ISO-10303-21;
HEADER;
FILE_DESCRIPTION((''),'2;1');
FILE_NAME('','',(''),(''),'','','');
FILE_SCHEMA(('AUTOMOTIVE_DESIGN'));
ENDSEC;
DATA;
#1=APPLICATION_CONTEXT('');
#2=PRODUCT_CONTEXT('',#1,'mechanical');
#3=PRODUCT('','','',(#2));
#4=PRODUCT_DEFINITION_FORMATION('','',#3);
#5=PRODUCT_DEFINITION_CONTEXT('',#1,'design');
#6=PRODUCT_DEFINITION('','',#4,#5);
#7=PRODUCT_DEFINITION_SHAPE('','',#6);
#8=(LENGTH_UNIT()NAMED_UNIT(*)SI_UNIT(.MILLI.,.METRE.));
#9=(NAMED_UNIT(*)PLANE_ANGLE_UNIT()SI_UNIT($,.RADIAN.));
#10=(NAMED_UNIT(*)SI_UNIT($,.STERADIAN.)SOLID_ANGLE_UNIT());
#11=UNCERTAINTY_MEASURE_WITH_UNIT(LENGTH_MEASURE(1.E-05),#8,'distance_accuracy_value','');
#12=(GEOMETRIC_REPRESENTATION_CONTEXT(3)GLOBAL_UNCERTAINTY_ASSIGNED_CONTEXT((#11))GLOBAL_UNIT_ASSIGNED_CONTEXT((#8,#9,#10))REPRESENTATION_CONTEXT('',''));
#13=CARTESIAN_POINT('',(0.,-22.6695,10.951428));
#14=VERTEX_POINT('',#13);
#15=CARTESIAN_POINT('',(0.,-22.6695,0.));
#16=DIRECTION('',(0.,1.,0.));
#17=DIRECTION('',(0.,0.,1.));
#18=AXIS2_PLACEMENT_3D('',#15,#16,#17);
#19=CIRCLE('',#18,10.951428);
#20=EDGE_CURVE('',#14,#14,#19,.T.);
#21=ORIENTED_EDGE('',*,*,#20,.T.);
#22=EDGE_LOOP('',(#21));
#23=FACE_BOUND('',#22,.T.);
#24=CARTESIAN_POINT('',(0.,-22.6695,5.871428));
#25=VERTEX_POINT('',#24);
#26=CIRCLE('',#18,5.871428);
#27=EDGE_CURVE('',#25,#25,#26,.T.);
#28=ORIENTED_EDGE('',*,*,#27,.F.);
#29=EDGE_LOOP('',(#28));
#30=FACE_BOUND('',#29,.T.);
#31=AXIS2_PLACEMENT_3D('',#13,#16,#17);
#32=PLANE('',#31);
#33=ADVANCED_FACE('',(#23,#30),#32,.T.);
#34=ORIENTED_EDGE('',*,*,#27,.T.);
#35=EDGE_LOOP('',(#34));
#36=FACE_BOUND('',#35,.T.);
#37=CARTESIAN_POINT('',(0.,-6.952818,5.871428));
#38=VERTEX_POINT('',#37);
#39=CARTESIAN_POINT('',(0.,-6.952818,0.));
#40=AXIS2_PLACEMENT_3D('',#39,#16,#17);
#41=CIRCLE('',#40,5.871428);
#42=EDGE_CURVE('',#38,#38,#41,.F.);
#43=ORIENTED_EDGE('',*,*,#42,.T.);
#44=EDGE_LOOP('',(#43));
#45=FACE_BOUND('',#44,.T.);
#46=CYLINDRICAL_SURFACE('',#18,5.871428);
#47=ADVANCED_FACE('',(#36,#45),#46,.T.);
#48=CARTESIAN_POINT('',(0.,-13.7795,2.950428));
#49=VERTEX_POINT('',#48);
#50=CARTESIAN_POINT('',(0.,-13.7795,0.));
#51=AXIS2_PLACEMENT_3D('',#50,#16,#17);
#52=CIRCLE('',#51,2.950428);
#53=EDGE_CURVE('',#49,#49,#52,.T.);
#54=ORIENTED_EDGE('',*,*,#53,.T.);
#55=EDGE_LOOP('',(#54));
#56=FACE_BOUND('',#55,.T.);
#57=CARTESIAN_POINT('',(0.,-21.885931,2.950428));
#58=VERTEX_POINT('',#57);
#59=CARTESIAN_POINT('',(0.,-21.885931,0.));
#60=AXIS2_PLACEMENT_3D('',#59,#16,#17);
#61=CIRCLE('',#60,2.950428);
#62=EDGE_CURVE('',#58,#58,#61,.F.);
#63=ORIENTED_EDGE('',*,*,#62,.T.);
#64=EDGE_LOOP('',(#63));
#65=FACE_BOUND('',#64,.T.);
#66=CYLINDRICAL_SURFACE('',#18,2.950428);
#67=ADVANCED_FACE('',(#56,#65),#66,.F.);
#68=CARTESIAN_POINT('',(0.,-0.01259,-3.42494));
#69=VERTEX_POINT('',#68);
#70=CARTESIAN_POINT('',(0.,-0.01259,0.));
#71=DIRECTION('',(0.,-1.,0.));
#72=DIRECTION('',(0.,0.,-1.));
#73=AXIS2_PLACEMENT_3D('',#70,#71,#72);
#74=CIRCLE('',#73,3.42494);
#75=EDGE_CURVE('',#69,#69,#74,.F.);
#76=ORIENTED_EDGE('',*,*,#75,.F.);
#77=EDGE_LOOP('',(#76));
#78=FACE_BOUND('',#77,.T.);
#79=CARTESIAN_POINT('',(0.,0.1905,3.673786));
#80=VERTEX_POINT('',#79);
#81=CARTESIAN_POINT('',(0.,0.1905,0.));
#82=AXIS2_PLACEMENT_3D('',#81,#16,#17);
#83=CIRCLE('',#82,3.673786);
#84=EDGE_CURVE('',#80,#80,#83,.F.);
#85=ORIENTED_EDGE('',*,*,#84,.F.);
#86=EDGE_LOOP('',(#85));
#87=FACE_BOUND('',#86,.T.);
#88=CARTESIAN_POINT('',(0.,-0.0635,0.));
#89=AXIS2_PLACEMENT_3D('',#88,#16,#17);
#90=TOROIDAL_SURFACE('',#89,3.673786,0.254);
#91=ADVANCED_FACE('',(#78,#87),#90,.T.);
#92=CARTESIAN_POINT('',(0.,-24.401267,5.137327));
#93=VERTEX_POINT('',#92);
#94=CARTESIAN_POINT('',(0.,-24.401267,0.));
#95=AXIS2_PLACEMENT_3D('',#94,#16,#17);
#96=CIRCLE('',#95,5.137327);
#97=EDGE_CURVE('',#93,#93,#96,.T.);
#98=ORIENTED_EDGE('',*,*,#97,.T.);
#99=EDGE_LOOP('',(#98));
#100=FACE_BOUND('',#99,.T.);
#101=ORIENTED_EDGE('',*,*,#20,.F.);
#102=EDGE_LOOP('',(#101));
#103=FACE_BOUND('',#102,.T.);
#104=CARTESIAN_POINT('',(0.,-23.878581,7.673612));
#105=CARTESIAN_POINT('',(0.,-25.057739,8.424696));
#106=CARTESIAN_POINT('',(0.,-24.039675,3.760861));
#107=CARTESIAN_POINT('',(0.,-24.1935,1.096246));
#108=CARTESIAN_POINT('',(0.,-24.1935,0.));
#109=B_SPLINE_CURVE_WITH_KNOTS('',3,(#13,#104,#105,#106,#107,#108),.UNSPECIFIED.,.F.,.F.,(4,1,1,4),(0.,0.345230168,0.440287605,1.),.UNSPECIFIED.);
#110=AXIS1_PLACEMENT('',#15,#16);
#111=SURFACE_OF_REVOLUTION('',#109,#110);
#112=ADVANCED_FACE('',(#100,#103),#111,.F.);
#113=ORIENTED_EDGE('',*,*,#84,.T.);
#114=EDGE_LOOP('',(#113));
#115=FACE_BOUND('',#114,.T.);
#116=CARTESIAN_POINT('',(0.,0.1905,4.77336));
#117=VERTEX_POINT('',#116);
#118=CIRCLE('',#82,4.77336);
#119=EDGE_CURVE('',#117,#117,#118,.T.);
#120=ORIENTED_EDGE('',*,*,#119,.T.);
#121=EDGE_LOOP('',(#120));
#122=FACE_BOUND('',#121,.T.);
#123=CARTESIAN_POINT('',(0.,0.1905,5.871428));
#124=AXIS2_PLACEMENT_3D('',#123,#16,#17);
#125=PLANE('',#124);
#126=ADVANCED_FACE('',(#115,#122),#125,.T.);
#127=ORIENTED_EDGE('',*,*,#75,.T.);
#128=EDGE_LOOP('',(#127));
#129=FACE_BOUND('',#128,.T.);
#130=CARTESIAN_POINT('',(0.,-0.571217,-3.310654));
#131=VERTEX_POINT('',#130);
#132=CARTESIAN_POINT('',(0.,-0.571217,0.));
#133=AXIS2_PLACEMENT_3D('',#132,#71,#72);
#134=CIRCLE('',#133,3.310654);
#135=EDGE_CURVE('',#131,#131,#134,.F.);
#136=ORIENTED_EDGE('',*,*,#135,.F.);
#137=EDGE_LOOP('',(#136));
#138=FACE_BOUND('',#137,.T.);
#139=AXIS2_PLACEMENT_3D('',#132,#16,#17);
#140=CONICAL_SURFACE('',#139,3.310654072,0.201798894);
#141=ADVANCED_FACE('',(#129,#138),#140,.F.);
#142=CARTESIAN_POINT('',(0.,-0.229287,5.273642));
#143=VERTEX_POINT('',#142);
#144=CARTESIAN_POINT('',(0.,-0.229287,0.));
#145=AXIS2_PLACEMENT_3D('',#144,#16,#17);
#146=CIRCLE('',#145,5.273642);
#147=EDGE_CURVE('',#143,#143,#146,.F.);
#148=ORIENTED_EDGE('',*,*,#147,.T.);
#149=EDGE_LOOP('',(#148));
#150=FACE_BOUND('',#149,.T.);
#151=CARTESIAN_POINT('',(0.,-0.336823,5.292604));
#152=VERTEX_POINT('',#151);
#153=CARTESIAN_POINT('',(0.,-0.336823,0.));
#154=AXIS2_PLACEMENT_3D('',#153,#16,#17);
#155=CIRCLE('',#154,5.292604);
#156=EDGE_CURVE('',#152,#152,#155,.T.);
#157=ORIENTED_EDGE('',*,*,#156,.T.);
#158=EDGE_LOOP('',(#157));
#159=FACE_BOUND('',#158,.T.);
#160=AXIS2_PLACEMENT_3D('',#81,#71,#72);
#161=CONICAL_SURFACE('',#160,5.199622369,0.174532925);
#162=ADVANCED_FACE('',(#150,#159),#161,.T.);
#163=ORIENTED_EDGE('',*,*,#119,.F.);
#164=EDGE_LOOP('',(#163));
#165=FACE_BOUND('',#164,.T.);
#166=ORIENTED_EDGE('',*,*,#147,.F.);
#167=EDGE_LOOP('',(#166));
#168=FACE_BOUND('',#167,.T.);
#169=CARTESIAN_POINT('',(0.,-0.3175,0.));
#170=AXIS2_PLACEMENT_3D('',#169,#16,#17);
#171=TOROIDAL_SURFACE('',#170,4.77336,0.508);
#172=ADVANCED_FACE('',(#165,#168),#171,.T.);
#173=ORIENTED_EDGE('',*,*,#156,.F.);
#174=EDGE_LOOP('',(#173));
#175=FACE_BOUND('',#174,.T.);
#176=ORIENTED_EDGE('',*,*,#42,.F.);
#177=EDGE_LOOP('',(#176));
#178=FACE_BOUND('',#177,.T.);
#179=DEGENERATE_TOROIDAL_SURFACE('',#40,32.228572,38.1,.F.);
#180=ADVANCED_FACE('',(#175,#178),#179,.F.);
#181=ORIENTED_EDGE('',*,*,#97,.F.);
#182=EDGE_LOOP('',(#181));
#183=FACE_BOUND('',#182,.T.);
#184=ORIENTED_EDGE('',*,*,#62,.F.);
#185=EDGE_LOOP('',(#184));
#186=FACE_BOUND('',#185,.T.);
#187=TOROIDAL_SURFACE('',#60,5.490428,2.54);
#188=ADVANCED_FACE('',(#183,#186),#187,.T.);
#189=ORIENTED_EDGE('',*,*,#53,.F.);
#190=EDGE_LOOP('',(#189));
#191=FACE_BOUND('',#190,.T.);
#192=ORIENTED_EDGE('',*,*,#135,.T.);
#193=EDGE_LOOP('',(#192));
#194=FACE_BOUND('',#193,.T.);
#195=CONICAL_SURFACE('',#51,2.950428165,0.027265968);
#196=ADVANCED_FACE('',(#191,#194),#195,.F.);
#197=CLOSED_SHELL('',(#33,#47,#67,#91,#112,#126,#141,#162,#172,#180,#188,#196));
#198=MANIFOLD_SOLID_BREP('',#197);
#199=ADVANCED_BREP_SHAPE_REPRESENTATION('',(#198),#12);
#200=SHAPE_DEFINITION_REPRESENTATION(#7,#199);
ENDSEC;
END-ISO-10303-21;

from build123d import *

# Parameters (mm, degrees)
CHAMFER1_SIZE      = 3.81
CHAMFER1_SIZE2     = 0.671805796
FILLET2_R          = 0.508
FILLET3_R          = 38.1
CHAMFER2_SIZE      = 0.762
CHAMFER2_SIZE2     = 0.135060614
FILLET4_R          = 0.254
SKETCH6_R          = 2.950428165
CUT_EXTRUDE1_DEPTH = 28.612445783
FILLET5_R          = 2.54


with BuildPart() as part:
    # Sketch3 → Revolve1 (revolve)
    with BuildSketch(Plane(origin=(0, 0, 0), x_dir=(0, 0, -1), z_dir=(1, 0, 0))):
        with BuildLine():
            Line((-3.331428165, 0.1905), (-2.950428165, -13.7795))
            Line((-2.950428165, -13.7795), (-2.950428165, -22.6695))
            Line((-2.950428165, -22.6695), (0, -22.6695))
            Line((0, -22.6695), (0, -24.1935))
            add(Edge.make_bspline(
                [(-10.951428165, -22.6695), (-7.67361224, -23.87858079), (-8.424695912, -25.057739032), (-3.760861411, -24.039674634), (-1.096246091, -24.1935), (0, -24.1935)],
                knots=[0, 0, 0, 0, 0.345230168, 0.440287605, 1, 1, 1, 1], degree=3))
            Line((-10.951428165, -22.6695), (-5.871428165, -22.6695))
            Line((-5.871428165, -22.6695), (-5.871428165, 0.1905))
            Line((-5.871428165, 0.1905), (-3.331428165, 0.1905))
        make_face()
    revolve(axis=Axis((0, -22.6695, 0), (0, -1, 0)))

    # Chamfer1
    chamfer1_edges = [part.edges().sort_by_distance(p)[0] for p in [
        (0, 0.1905, -5.871428165),
    ]]
    chamfer1_side = [part.faces().sort_by_distance(p)[0] for p in [
        (0, -11.2395, -5.871428165),
    ]]
    chamfer(chamfer1_edges, length=CHAMFER1_SIZE, length2=CHAMFER1_SIZE2, reference=chamfer1_side[0])

    # Fillet2
    fillet2_edges = [part.edges().sort_by_distance(p)[0] for p in [
        (0, 0.1905, -5.199622369),
    ]]
    fillet(fillet2_edges, radius=FILLET2_R)

    # Fillet3
    fillet3_edges = [part.edges().sort_by_distance(p)[0] for p in [
        (0, -3.6195, -5.871428165),
    ]]
    fillet(fillet3_edges, radius=FILLET3_R)

    # Chamfer2
    chamfer2_edges = [part.edges().sort_by_distance(p)[0] for p in [
        (0, 0.1905, -3.331428165),
    ]]
    chamfer2_side = [part.faces().sort_by_distance(p)[0] for p in [
        (0, -6.7945, -3.140928165),
    ]]
    chamfer(chamfer2_edges, length=CHAMFER2_SIZE, length2=CHAMFER2_SIZE2, reference=chamfer2_side[0])

    # Fillet4
    fillet4_edges = [part.edges().sort_by_distance(p)[0] for p in [
        (0, 0.1905, -3.46648878),
    ]]
    fillet(fillet4_edges, radius=FILLET4_R)

    # Sketch6 → Cut-Extrude1 (cut, through all)
    with BuildSketch(Plane(origin=(0, -22.6695, 0), x_dir=(1, 0, 0), z_dir=(0, 1, 0))):
        with Locations(Location((0, 0, 0), (0, 0, 270))):
            Circle(SKETCH6_R)
    extrude(amount=-CUT_EXTRUDE1_DEPTH, mode=Mode.SUBTRACT)

    # Fillet5
    fillet5_edges = [part.edges().sort_by_distance(p)[0] for p in [
        (2e-09, -24.204539733, -2.950428166),
    ]]
    fillet(fillet5_edges, radius=FILLET5_R)


solid = part.part
